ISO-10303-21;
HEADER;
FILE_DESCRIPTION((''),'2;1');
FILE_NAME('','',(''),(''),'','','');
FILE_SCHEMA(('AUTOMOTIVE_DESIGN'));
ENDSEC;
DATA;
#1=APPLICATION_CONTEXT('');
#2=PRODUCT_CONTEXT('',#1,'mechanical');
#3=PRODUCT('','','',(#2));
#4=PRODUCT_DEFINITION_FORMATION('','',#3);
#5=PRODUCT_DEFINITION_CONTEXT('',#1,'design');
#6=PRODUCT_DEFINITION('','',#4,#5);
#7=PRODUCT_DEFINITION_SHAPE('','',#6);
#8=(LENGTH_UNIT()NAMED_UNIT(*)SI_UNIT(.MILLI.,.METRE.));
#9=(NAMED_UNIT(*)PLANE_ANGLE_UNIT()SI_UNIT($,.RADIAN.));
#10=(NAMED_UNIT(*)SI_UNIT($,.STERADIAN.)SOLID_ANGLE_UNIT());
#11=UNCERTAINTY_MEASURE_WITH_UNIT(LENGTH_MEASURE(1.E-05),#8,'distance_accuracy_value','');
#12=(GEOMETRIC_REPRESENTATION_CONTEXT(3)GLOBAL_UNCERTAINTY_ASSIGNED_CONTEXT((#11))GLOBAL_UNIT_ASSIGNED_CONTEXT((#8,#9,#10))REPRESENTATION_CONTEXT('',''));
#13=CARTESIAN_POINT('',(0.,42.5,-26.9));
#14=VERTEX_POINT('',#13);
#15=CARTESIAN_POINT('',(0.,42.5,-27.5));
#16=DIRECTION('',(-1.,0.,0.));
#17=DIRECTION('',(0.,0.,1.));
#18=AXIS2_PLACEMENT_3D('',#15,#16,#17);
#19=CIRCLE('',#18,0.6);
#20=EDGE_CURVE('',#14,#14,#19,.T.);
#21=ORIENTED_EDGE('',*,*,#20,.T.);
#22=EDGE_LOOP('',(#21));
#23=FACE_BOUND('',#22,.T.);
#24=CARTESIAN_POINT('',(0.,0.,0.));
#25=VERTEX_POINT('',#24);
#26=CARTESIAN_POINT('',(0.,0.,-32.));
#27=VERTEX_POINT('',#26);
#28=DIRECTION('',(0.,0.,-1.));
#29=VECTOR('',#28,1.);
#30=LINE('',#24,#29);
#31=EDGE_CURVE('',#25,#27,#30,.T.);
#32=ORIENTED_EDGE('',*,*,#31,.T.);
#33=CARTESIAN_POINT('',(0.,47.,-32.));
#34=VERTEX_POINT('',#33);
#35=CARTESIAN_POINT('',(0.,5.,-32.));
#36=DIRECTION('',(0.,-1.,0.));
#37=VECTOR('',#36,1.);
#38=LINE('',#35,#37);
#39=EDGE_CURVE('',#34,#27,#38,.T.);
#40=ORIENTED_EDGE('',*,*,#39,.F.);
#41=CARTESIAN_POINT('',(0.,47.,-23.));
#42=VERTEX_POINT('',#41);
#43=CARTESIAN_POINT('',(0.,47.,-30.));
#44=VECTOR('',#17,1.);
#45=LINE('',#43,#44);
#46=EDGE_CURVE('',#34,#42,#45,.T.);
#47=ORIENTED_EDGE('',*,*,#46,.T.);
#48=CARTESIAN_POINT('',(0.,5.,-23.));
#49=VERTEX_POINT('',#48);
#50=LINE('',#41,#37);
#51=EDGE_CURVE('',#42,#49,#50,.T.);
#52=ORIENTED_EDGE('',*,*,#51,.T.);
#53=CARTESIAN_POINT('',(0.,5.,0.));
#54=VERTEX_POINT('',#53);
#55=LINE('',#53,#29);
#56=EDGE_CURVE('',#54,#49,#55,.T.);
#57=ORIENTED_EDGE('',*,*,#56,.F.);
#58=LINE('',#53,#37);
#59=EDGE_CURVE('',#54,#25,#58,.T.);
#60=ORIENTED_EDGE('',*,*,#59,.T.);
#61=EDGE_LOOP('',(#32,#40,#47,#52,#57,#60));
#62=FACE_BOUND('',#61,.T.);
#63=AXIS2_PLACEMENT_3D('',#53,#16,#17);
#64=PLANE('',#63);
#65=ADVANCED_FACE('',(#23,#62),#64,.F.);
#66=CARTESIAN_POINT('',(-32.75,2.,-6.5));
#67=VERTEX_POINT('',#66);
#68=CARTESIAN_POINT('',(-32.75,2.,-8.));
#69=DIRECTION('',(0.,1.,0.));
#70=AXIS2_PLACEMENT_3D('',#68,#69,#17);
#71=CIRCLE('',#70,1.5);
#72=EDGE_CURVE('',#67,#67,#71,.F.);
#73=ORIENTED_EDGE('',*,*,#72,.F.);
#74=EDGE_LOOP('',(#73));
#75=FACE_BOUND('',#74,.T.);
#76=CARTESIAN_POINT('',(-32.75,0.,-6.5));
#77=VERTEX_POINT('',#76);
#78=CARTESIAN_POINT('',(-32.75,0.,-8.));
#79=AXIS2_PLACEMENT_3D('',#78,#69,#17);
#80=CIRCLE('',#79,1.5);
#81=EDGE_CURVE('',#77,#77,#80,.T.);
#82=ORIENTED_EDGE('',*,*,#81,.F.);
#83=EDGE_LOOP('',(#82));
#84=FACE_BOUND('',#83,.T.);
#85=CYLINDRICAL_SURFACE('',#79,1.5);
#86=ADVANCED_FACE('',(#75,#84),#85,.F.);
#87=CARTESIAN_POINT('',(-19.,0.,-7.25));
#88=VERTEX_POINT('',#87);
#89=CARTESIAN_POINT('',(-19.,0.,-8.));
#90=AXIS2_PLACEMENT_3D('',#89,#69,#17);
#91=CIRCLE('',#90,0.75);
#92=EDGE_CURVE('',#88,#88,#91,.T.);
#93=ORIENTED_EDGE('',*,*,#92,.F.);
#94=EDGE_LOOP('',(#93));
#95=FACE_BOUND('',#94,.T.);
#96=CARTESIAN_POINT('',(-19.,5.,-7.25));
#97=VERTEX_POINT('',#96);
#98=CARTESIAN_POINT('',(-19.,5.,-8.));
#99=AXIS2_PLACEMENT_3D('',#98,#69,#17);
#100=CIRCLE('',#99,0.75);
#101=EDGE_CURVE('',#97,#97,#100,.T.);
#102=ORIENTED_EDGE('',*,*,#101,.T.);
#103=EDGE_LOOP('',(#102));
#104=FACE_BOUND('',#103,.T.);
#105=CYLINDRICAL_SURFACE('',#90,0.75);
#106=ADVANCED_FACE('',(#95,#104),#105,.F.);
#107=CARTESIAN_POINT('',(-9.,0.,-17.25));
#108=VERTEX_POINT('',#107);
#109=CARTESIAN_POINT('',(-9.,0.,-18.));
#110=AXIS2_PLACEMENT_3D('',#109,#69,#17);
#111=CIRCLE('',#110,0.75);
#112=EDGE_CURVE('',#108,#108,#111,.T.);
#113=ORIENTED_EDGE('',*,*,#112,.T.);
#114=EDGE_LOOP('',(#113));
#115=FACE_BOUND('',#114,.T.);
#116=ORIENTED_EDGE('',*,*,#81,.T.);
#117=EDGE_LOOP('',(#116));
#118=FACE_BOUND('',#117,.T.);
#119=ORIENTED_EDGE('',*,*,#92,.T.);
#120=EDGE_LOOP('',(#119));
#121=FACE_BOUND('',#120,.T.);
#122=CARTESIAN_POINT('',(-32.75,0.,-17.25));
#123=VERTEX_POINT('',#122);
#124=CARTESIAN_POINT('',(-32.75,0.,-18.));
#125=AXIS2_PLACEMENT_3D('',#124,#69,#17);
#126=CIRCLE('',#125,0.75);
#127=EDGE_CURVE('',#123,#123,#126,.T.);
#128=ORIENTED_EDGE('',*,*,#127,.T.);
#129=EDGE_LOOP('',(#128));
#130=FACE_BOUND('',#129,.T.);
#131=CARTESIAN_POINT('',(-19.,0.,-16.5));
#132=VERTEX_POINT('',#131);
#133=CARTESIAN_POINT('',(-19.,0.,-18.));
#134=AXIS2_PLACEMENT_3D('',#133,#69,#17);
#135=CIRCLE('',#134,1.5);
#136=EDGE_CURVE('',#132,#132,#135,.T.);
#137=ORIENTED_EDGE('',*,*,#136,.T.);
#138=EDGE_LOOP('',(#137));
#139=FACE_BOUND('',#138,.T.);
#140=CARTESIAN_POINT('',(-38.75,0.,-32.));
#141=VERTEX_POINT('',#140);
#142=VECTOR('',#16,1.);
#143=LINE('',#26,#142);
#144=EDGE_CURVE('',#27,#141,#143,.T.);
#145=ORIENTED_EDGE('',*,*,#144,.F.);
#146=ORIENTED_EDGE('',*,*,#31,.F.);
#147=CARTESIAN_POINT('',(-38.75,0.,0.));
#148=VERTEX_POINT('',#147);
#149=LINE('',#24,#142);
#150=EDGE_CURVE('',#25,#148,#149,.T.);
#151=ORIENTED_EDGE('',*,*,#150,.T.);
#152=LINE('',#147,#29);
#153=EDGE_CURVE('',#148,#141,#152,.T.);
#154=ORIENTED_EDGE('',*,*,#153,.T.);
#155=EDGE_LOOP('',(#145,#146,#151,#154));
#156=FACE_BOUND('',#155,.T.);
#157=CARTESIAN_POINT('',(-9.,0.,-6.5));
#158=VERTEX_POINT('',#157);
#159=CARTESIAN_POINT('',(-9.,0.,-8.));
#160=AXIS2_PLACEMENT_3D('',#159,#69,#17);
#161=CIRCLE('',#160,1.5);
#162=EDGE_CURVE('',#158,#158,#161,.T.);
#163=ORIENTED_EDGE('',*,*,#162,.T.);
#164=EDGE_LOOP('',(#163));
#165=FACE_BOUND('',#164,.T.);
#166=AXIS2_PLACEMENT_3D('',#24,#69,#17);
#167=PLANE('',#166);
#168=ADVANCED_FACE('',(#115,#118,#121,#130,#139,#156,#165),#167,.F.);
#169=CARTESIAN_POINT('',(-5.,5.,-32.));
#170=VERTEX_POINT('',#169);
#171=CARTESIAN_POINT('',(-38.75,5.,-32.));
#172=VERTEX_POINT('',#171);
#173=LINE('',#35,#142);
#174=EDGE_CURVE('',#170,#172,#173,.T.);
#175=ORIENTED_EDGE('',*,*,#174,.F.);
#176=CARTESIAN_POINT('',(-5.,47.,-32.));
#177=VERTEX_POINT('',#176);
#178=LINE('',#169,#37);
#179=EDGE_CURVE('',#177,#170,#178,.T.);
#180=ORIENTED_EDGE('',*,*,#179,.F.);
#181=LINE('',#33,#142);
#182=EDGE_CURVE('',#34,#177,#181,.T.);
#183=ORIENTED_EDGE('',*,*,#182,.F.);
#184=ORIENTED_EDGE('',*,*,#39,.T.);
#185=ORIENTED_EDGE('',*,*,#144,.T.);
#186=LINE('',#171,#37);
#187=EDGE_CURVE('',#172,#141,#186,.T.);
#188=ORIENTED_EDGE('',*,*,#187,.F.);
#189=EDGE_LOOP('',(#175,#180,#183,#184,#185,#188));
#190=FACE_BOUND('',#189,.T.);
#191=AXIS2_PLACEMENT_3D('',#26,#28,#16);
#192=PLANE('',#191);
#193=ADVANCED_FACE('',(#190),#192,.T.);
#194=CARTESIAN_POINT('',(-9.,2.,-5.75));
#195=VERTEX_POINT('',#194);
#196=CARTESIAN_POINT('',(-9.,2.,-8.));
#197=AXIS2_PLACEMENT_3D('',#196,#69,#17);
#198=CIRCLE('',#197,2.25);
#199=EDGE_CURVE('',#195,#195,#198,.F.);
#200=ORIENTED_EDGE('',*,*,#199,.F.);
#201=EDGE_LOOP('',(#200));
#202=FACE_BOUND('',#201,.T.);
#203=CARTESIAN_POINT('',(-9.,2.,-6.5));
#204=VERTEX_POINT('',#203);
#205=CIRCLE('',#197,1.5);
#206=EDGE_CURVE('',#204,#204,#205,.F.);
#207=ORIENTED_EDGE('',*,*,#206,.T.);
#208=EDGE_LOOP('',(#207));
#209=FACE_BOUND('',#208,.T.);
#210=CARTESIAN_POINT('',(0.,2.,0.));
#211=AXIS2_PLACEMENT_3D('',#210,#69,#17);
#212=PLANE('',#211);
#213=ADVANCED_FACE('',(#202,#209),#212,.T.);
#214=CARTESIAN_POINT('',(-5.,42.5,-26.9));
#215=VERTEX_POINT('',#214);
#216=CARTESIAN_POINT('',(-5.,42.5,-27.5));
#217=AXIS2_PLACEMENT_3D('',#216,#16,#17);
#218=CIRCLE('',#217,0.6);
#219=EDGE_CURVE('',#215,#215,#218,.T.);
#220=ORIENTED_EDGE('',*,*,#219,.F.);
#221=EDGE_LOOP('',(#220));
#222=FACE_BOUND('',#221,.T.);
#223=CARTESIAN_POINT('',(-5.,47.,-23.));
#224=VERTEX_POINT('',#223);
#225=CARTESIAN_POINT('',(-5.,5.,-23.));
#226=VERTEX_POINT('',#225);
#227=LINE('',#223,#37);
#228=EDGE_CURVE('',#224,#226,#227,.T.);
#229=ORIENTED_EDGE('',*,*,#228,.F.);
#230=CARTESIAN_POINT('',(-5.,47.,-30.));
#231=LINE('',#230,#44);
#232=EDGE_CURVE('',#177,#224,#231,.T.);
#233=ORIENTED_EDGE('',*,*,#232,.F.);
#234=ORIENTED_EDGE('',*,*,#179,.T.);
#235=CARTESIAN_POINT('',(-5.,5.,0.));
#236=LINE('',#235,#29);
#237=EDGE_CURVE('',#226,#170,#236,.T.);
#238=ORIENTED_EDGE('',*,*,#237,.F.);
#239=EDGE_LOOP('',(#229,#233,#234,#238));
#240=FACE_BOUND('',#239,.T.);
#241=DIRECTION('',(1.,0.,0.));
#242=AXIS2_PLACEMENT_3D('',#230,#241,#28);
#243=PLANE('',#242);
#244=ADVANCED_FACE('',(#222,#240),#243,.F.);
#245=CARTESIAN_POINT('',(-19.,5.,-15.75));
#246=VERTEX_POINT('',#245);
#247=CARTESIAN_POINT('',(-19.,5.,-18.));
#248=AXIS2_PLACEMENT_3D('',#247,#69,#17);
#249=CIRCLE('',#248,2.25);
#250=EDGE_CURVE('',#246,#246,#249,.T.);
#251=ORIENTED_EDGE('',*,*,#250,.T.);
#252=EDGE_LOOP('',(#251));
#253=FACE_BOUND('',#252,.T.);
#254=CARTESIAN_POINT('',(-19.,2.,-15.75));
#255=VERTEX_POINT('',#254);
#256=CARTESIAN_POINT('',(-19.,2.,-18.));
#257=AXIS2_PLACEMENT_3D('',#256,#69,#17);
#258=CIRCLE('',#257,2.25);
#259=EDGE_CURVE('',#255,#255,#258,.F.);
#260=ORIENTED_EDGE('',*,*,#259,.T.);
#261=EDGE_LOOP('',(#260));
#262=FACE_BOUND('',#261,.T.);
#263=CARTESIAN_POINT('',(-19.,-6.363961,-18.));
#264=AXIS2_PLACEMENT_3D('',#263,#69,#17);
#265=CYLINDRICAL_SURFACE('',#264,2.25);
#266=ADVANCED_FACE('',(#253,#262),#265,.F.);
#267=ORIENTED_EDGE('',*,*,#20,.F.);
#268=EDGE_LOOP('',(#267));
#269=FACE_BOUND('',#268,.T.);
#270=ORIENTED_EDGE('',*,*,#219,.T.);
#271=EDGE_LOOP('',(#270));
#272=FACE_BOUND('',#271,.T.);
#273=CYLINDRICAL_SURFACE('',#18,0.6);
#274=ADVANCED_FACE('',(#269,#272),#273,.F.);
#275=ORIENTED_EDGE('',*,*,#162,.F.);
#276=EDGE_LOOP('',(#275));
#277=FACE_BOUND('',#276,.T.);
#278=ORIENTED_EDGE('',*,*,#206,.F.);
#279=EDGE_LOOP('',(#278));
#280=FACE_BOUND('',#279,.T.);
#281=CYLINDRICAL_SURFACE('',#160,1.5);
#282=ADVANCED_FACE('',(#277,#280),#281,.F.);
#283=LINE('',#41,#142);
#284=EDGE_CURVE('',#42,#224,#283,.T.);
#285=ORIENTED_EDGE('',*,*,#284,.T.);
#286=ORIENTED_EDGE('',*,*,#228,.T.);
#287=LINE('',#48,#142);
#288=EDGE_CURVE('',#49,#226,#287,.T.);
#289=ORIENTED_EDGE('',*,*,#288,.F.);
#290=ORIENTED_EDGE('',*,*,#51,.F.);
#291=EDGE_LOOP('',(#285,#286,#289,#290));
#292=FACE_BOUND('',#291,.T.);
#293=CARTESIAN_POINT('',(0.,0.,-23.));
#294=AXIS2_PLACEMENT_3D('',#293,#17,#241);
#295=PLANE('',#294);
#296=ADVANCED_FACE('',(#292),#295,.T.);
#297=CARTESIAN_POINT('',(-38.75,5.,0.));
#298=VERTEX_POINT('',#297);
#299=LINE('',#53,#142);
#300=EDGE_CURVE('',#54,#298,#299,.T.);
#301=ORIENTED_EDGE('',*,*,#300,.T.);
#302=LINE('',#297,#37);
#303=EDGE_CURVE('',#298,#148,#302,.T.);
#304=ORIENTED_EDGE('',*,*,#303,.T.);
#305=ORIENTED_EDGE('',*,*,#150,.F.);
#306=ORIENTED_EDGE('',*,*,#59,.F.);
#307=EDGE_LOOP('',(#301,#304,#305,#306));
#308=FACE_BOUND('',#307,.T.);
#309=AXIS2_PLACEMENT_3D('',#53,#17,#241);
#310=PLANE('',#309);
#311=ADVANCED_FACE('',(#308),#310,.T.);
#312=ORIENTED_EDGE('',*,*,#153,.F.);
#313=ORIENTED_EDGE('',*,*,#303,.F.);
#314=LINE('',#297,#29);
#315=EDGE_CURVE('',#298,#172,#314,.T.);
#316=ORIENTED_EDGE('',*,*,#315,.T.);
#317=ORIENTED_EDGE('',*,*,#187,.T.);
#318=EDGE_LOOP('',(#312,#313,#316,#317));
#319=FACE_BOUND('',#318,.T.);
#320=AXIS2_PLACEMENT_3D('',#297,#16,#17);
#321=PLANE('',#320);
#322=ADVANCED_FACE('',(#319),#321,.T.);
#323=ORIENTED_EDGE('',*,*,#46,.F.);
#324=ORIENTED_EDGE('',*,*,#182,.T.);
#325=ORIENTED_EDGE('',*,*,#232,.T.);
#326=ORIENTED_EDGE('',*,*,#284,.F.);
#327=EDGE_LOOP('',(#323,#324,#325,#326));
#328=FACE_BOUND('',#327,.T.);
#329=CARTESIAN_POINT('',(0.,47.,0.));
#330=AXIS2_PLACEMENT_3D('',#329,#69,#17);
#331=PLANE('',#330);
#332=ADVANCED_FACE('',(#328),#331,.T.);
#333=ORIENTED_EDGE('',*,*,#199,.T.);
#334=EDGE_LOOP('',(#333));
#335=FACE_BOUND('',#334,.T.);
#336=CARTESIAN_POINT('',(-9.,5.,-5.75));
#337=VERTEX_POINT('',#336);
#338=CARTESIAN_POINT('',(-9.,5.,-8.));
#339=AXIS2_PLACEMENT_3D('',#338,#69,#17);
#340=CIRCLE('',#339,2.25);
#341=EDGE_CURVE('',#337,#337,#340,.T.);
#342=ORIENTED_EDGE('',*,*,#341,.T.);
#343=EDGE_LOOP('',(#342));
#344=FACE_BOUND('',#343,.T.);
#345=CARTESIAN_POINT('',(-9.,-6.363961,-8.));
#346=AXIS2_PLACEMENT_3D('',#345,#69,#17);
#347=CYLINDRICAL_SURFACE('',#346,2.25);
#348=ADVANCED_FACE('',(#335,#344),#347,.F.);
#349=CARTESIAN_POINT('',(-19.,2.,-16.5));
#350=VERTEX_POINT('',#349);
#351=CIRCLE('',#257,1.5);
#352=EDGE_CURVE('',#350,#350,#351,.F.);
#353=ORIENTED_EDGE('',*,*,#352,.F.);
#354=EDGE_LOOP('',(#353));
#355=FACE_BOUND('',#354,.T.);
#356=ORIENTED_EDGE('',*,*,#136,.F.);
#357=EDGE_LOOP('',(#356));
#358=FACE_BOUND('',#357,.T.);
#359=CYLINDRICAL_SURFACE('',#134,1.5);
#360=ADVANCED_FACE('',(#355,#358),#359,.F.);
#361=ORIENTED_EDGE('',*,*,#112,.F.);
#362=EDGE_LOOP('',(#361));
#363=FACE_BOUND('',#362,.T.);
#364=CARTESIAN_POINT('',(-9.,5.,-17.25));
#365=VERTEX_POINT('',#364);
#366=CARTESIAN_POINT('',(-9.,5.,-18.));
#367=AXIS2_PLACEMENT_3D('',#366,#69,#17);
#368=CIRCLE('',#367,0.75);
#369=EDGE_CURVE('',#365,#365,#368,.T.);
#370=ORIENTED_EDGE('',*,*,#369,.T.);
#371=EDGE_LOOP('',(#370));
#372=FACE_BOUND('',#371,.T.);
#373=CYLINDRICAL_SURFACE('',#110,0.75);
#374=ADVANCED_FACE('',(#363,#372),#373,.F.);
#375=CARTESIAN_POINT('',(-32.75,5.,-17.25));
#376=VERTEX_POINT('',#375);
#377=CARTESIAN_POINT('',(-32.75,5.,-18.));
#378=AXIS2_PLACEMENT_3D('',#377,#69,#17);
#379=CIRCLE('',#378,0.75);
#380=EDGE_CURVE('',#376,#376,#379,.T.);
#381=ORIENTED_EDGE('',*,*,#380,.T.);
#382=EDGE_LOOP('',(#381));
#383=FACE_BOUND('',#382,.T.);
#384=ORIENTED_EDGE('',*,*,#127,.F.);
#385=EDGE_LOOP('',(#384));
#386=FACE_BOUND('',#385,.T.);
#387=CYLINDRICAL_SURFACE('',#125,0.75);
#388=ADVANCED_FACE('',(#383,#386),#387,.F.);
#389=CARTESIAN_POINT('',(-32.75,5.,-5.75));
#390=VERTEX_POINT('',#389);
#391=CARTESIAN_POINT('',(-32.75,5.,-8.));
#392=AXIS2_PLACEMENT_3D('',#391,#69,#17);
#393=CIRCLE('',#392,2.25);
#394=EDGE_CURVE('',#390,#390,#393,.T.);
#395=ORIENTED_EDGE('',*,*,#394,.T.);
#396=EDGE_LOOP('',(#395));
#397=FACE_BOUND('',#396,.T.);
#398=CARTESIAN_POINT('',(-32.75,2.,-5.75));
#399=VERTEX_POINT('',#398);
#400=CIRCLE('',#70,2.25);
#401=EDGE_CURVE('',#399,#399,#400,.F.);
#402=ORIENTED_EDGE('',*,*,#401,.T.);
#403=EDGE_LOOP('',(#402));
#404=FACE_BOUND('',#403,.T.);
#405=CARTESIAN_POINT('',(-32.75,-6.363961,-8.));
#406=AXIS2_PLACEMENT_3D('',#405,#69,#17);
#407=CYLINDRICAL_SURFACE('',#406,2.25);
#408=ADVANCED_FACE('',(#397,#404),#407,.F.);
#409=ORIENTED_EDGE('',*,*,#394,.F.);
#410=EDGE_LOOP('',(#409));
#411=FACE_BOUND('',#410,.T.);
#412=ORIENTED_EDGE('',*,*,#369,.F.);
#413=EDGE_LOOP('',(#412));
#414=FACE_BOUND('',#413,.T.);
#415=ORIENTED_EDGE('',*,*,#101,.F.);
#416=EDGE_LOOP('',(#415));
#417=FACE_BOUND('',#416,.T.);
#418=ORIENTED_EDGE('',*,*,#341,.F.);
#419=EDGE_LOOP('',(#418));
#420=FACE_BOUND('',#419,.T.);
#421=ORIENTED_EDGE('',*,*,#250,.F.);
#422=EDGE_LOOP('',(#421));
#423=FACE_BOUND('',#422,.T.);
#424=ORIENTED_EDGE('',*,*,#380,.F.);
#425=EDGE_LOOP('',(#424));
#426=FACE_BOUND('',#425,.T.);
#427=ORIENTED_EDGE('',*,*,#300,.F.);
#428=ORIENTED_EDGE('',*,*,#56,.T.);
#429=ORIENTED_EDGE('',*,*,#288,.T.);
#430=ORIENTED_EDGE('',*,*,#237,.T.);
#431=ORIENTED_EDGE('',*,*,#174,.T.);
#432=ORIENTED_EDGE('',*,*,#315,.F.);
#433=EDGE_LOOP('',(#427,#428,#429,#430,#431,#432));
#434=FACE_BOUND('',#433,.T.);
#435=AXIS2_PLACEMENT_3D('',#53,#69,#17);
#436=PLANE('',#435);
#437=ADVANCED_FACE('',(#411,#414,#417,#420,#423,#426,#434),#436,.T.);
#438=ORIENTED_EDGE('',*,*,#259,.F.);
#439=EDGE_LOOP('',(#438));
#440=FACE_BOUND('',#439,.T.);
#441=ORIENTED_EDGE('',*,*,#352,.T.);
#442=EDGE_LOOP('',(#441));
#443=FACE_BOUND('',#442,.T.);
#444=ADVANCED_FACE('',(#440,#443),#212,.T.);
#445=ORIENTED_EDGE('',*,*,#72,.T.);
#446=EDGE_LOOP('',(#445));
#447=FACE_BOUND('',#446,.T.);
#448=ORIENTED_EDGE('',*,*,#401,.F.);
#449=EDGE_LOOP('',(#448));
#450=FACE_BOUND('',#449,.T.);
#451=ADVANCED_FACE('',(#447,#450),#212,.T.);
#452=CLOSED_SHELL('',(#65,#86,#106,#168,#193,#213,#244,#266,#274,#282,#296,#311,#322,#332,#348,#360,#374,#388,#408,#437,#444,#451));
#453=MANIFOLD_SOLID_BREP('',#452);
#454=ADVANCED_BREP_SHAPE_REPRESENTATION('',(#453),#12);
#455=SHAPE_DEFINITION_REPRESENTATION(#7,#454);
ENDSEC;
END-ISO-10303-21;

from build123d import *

# Parameters (mm, degrees)
SKETCH_1_W          = 38.75
SKETCH_1_H          = 30
EXTRUDE_1_DEPTH     = 5
SKETCH_1_15_W       = 5
SKETCH_1_15_H       = 5
EXTRUDE_2_DEPTH     = 47
SKETCH_2_R          = 0.6
CUT_EXTRUDE_1_DEPTH = 66.177162411
SKETCH_3_R          = 1.5
SKETCH_3_R_2        = 0.75
CUT_EXTRUDE_2_DEPTH = 65.541169032
SKETCH_3_3_R        = 2.25
CUT_EXTRUDE_3_DEPTH = 3
SKETCH_4_W          = 5
SKETCH_4_H          = 42
EXTRUDE_3_DEPTH     = 2
EXTRUDE_START       = -5
SKETCH_4_3_W        = 5
SKETCH_4_3_H        = 42
EXTRUDE_4_DEPTH     = 2


with BuildPart() as part:
    # 草图1 → 凸台-拉伸1 (new body)
    with BuildSketch(Plane(origin=(0, 0, 0), x_dir=(1, 0, 0), z_dir=(0, 1, 0))):
        with Locations((-19.375, 15)):
            Rectangle(SKETCH_1_W, SKETCH_1_H)
    extrude(amount=EXTRUDE_1_DEPTH)

    # 草图1<15> → 凸台-拉伸2 (add)
    with BuildSketch(Plane(origin=(0, 0, 0), x_dir=(1, 0, 0), z_dir=(0, 1, 0))):
        with Locations((-2.5, 27.5)):
            Rectangle(SKETCH_1_15_W, SKETCH_1_15_H)
    extrude(amount=EXTRUDE_2_DEPTH)

    # 草图2 → 切除-拉伸1 (cut, through all)
    with BuildSketch(Plane.ZY.offset(5)):
        with Locations((-27.5, 42.5)):
            Circle(SKETCH_2_R)
    extrude(amount=-CUT_EXTRUDE_1_DEPTH, mode=Mode.SUBTRACT)

    # 草图3 → 切除-拉伸2 (cut, through all)
    with BuildSketch(Plane(origin=(0, 5, 0), x_dir=(1, 0, 0), z_dir=(0, 1, 0))):
        with Locations(Location((-9, 8, 0), (0, 0, 270))):
            Circle(SKETCH_3_R)
        with Locations(Location((-32.75, 8, 0), (0, 0, 270))):
            Circle(SKETCH_3_R)
        with Locations(Location((-19, 18, 0), (0, 0, 270))):
            Circle(SKETCH_3_R)
        with Locations(Location((-32.75, 18, 0), (0, 0, 270))):
            Circle(SKETCH_3_R_2)
        with Locations(Location((-9, 18, 0), (0, 0, 270))):
            Circle(SKETCH_3_R_2)
        with Locations(Location((-19, 8, 0), (0, 0, 270))):
            Circle(SKETCH_3_R_2)
    extrude(amount=-CUT_EXTRUDE_2_DEPTH, mode=Mode.SUBTRACT)

    # 草图3<3> → 切除-拉伸3 (cut)
    with BuildSketch(Plane(origin=(0, 5, 0), x_dir=(1, 0, 0), z_dir=(0, 1, 0))):
        with Locations(Location((-19, 18, 0), (0, 0, 270))):
            Circle(SKETCH_3_3_R)
        with Locations(Location((-32.75, 8, 0), (0, 0, 270))):
            Circle(SKETCH_3_3_R)
        with Locations(Location((-9, 8, 0), (0, 0, 270))):
            Circle(SKETCH_3_3_R)
    extrude(amount=-CUT_EXTRUDE_3_DEPTH, mode=Mode.SUBTRACT)

    # 草图4 → 凸台-拉伸3 (add)
    with BuildSketch(Plane.XY.offset(-25)):
        with Locations((-2.5, 26)):
            Rectangle(SKETCH_4_W, SKETCH_4_H)
    extrude(amount=EXTRUDE_3_DEPTH)

    # 草图4<3> → 凸台-拉伸4 (add)
    with BuildSketch(Plane.XY.offset(-25).offset(EXTRUDE_START)):
        with Locations((-2.5, 26)):
            Rectangle(SKETCH_4_3_W, SKETCH_4_3_H)
        Polygon((0, 0), (0, 5), (-5, 5), (-38.75, 5), (-38.75, 0), align=None)
    extrude(amount=-EXTRUDE_4_DEPTH)


solid = part.part
